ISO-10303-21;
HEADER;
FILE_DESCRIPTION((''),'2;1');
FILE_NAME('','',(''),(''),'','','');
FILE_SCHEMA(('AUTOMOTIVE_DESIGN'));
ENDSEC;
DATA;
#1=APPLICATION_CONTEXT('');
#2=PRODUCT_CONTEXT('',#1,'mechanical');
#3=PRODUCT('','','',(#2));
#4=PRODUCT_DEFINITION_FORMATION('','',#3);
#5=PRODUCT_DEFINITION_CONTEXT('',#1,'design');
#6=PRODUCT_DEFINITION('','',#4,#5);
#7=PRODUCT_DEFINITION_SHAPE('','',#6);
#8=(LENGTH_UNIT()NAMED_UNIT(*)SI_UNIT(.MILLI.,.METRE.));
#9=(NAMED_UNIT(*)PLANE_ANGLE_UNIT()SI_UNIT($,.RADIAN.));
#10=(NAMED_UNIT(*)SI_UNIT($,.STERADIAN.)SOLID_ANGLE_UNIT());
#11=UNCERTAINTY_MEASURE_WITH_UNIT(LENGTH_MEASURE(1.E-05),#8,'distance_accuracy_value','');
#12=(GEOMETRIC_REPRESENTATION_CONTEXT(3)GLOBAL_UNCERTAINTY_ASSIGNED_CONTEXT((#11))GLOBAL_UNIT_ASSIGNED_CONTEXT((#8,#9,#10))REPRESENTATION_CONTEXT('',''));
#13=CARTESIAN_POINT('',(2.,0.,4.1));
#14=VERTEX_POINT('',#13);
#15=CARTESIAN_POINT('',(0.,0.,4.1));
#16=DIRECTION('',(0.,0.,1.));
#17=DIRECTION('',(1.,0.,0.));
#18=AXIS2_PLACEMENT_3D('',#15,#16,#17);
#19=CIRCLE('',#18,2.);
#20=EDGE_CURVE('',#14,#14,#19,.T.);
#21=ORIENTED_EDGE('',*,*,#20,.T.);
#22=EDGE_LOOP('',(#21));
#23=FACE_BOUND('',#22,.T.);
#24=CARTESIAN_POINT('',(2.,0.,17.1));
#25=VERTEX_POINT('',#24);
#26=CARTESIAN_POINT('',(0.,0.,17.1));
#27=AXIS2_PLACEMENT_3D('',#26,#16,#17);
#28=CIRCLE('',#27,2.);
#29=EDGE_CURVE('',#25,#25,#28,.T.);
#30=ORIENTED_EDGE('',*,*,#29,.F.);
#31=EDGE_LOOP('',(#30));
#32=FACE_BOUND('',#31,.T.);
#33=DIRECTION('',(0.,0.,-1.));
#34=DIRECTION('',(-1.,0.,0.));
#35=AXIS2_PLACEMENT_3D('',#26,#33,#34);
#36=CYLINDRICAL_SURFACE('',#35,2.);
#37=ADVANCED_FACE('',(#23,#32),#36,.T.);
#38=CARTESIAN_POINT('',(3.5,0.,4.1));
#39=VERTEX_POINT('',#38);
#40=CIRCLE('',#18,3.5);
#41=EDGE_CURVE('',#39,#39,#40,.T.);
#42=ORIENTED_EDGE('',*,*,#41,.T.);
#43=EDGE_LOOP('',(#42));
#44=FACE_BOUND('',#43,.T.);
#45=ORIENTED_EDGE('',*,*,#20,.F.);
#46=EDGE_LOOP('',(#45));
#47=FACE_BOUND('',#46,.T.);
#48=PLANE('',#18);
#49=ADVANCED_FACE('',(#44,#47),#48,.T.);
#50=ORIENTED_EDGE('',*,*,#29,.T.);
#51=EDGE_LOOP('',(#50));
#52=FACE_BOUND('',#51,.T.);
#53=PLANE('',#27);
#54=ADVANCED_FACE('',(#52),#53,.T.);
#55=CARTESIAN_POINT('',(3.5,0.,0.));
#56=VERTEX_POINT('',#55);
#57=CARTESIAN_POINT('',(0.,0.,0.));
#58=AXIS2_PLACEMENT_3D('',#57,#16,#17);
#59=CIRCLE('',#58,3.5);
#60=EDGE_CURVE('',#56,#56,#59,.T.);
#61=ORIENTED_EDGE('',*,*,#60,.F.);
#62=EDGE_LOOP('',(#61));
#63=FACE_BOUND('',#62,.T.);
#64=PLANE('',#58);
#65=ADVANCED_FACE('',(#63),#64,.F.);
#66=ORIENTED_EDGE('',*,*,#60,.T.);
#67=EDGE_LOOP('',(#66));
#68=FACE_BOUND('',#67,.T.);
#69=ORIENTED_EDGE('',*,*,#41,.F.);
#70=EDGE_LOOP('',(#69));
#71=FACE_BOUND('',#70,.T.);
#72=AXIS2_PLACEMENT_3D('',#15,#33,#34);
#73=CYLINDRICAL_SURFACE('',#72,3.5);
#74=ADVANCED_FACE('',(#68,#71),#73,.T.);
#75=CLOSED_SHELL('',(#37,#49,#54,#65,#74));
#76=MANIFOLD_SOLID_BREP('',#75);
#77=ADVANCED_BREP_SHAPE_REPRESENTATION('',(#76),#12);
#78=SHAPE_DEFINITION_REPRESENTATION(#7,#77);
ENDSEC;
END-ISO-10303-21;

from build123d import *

# Parameters (mm, degrees)
SKETCH2_R           = 3.5
BOSS_EXTRUDE1_DEPTH = 4.1
SKETCH3_R           = 2
BOSS_EXTRUDE2_DEPTH = 13


with BuildPart() as part:
    # Sketch2 → Boss-Extrude1 (new body)
    with BuildSketch(Plane.XY):
        Circle(SKETCH2_R)
    extrude(amount=BOSS_EXTRUDE1_DEPTH)

    # Sketch3 → Boss-Extrude2 (add)
    with BuildSketch(Plane.XY.offset(4.1)):
        Circle(SKETCH3_R)
    extrude(amount=BOSS_EXTRUDE2_DEPTH)


solid = part.part
